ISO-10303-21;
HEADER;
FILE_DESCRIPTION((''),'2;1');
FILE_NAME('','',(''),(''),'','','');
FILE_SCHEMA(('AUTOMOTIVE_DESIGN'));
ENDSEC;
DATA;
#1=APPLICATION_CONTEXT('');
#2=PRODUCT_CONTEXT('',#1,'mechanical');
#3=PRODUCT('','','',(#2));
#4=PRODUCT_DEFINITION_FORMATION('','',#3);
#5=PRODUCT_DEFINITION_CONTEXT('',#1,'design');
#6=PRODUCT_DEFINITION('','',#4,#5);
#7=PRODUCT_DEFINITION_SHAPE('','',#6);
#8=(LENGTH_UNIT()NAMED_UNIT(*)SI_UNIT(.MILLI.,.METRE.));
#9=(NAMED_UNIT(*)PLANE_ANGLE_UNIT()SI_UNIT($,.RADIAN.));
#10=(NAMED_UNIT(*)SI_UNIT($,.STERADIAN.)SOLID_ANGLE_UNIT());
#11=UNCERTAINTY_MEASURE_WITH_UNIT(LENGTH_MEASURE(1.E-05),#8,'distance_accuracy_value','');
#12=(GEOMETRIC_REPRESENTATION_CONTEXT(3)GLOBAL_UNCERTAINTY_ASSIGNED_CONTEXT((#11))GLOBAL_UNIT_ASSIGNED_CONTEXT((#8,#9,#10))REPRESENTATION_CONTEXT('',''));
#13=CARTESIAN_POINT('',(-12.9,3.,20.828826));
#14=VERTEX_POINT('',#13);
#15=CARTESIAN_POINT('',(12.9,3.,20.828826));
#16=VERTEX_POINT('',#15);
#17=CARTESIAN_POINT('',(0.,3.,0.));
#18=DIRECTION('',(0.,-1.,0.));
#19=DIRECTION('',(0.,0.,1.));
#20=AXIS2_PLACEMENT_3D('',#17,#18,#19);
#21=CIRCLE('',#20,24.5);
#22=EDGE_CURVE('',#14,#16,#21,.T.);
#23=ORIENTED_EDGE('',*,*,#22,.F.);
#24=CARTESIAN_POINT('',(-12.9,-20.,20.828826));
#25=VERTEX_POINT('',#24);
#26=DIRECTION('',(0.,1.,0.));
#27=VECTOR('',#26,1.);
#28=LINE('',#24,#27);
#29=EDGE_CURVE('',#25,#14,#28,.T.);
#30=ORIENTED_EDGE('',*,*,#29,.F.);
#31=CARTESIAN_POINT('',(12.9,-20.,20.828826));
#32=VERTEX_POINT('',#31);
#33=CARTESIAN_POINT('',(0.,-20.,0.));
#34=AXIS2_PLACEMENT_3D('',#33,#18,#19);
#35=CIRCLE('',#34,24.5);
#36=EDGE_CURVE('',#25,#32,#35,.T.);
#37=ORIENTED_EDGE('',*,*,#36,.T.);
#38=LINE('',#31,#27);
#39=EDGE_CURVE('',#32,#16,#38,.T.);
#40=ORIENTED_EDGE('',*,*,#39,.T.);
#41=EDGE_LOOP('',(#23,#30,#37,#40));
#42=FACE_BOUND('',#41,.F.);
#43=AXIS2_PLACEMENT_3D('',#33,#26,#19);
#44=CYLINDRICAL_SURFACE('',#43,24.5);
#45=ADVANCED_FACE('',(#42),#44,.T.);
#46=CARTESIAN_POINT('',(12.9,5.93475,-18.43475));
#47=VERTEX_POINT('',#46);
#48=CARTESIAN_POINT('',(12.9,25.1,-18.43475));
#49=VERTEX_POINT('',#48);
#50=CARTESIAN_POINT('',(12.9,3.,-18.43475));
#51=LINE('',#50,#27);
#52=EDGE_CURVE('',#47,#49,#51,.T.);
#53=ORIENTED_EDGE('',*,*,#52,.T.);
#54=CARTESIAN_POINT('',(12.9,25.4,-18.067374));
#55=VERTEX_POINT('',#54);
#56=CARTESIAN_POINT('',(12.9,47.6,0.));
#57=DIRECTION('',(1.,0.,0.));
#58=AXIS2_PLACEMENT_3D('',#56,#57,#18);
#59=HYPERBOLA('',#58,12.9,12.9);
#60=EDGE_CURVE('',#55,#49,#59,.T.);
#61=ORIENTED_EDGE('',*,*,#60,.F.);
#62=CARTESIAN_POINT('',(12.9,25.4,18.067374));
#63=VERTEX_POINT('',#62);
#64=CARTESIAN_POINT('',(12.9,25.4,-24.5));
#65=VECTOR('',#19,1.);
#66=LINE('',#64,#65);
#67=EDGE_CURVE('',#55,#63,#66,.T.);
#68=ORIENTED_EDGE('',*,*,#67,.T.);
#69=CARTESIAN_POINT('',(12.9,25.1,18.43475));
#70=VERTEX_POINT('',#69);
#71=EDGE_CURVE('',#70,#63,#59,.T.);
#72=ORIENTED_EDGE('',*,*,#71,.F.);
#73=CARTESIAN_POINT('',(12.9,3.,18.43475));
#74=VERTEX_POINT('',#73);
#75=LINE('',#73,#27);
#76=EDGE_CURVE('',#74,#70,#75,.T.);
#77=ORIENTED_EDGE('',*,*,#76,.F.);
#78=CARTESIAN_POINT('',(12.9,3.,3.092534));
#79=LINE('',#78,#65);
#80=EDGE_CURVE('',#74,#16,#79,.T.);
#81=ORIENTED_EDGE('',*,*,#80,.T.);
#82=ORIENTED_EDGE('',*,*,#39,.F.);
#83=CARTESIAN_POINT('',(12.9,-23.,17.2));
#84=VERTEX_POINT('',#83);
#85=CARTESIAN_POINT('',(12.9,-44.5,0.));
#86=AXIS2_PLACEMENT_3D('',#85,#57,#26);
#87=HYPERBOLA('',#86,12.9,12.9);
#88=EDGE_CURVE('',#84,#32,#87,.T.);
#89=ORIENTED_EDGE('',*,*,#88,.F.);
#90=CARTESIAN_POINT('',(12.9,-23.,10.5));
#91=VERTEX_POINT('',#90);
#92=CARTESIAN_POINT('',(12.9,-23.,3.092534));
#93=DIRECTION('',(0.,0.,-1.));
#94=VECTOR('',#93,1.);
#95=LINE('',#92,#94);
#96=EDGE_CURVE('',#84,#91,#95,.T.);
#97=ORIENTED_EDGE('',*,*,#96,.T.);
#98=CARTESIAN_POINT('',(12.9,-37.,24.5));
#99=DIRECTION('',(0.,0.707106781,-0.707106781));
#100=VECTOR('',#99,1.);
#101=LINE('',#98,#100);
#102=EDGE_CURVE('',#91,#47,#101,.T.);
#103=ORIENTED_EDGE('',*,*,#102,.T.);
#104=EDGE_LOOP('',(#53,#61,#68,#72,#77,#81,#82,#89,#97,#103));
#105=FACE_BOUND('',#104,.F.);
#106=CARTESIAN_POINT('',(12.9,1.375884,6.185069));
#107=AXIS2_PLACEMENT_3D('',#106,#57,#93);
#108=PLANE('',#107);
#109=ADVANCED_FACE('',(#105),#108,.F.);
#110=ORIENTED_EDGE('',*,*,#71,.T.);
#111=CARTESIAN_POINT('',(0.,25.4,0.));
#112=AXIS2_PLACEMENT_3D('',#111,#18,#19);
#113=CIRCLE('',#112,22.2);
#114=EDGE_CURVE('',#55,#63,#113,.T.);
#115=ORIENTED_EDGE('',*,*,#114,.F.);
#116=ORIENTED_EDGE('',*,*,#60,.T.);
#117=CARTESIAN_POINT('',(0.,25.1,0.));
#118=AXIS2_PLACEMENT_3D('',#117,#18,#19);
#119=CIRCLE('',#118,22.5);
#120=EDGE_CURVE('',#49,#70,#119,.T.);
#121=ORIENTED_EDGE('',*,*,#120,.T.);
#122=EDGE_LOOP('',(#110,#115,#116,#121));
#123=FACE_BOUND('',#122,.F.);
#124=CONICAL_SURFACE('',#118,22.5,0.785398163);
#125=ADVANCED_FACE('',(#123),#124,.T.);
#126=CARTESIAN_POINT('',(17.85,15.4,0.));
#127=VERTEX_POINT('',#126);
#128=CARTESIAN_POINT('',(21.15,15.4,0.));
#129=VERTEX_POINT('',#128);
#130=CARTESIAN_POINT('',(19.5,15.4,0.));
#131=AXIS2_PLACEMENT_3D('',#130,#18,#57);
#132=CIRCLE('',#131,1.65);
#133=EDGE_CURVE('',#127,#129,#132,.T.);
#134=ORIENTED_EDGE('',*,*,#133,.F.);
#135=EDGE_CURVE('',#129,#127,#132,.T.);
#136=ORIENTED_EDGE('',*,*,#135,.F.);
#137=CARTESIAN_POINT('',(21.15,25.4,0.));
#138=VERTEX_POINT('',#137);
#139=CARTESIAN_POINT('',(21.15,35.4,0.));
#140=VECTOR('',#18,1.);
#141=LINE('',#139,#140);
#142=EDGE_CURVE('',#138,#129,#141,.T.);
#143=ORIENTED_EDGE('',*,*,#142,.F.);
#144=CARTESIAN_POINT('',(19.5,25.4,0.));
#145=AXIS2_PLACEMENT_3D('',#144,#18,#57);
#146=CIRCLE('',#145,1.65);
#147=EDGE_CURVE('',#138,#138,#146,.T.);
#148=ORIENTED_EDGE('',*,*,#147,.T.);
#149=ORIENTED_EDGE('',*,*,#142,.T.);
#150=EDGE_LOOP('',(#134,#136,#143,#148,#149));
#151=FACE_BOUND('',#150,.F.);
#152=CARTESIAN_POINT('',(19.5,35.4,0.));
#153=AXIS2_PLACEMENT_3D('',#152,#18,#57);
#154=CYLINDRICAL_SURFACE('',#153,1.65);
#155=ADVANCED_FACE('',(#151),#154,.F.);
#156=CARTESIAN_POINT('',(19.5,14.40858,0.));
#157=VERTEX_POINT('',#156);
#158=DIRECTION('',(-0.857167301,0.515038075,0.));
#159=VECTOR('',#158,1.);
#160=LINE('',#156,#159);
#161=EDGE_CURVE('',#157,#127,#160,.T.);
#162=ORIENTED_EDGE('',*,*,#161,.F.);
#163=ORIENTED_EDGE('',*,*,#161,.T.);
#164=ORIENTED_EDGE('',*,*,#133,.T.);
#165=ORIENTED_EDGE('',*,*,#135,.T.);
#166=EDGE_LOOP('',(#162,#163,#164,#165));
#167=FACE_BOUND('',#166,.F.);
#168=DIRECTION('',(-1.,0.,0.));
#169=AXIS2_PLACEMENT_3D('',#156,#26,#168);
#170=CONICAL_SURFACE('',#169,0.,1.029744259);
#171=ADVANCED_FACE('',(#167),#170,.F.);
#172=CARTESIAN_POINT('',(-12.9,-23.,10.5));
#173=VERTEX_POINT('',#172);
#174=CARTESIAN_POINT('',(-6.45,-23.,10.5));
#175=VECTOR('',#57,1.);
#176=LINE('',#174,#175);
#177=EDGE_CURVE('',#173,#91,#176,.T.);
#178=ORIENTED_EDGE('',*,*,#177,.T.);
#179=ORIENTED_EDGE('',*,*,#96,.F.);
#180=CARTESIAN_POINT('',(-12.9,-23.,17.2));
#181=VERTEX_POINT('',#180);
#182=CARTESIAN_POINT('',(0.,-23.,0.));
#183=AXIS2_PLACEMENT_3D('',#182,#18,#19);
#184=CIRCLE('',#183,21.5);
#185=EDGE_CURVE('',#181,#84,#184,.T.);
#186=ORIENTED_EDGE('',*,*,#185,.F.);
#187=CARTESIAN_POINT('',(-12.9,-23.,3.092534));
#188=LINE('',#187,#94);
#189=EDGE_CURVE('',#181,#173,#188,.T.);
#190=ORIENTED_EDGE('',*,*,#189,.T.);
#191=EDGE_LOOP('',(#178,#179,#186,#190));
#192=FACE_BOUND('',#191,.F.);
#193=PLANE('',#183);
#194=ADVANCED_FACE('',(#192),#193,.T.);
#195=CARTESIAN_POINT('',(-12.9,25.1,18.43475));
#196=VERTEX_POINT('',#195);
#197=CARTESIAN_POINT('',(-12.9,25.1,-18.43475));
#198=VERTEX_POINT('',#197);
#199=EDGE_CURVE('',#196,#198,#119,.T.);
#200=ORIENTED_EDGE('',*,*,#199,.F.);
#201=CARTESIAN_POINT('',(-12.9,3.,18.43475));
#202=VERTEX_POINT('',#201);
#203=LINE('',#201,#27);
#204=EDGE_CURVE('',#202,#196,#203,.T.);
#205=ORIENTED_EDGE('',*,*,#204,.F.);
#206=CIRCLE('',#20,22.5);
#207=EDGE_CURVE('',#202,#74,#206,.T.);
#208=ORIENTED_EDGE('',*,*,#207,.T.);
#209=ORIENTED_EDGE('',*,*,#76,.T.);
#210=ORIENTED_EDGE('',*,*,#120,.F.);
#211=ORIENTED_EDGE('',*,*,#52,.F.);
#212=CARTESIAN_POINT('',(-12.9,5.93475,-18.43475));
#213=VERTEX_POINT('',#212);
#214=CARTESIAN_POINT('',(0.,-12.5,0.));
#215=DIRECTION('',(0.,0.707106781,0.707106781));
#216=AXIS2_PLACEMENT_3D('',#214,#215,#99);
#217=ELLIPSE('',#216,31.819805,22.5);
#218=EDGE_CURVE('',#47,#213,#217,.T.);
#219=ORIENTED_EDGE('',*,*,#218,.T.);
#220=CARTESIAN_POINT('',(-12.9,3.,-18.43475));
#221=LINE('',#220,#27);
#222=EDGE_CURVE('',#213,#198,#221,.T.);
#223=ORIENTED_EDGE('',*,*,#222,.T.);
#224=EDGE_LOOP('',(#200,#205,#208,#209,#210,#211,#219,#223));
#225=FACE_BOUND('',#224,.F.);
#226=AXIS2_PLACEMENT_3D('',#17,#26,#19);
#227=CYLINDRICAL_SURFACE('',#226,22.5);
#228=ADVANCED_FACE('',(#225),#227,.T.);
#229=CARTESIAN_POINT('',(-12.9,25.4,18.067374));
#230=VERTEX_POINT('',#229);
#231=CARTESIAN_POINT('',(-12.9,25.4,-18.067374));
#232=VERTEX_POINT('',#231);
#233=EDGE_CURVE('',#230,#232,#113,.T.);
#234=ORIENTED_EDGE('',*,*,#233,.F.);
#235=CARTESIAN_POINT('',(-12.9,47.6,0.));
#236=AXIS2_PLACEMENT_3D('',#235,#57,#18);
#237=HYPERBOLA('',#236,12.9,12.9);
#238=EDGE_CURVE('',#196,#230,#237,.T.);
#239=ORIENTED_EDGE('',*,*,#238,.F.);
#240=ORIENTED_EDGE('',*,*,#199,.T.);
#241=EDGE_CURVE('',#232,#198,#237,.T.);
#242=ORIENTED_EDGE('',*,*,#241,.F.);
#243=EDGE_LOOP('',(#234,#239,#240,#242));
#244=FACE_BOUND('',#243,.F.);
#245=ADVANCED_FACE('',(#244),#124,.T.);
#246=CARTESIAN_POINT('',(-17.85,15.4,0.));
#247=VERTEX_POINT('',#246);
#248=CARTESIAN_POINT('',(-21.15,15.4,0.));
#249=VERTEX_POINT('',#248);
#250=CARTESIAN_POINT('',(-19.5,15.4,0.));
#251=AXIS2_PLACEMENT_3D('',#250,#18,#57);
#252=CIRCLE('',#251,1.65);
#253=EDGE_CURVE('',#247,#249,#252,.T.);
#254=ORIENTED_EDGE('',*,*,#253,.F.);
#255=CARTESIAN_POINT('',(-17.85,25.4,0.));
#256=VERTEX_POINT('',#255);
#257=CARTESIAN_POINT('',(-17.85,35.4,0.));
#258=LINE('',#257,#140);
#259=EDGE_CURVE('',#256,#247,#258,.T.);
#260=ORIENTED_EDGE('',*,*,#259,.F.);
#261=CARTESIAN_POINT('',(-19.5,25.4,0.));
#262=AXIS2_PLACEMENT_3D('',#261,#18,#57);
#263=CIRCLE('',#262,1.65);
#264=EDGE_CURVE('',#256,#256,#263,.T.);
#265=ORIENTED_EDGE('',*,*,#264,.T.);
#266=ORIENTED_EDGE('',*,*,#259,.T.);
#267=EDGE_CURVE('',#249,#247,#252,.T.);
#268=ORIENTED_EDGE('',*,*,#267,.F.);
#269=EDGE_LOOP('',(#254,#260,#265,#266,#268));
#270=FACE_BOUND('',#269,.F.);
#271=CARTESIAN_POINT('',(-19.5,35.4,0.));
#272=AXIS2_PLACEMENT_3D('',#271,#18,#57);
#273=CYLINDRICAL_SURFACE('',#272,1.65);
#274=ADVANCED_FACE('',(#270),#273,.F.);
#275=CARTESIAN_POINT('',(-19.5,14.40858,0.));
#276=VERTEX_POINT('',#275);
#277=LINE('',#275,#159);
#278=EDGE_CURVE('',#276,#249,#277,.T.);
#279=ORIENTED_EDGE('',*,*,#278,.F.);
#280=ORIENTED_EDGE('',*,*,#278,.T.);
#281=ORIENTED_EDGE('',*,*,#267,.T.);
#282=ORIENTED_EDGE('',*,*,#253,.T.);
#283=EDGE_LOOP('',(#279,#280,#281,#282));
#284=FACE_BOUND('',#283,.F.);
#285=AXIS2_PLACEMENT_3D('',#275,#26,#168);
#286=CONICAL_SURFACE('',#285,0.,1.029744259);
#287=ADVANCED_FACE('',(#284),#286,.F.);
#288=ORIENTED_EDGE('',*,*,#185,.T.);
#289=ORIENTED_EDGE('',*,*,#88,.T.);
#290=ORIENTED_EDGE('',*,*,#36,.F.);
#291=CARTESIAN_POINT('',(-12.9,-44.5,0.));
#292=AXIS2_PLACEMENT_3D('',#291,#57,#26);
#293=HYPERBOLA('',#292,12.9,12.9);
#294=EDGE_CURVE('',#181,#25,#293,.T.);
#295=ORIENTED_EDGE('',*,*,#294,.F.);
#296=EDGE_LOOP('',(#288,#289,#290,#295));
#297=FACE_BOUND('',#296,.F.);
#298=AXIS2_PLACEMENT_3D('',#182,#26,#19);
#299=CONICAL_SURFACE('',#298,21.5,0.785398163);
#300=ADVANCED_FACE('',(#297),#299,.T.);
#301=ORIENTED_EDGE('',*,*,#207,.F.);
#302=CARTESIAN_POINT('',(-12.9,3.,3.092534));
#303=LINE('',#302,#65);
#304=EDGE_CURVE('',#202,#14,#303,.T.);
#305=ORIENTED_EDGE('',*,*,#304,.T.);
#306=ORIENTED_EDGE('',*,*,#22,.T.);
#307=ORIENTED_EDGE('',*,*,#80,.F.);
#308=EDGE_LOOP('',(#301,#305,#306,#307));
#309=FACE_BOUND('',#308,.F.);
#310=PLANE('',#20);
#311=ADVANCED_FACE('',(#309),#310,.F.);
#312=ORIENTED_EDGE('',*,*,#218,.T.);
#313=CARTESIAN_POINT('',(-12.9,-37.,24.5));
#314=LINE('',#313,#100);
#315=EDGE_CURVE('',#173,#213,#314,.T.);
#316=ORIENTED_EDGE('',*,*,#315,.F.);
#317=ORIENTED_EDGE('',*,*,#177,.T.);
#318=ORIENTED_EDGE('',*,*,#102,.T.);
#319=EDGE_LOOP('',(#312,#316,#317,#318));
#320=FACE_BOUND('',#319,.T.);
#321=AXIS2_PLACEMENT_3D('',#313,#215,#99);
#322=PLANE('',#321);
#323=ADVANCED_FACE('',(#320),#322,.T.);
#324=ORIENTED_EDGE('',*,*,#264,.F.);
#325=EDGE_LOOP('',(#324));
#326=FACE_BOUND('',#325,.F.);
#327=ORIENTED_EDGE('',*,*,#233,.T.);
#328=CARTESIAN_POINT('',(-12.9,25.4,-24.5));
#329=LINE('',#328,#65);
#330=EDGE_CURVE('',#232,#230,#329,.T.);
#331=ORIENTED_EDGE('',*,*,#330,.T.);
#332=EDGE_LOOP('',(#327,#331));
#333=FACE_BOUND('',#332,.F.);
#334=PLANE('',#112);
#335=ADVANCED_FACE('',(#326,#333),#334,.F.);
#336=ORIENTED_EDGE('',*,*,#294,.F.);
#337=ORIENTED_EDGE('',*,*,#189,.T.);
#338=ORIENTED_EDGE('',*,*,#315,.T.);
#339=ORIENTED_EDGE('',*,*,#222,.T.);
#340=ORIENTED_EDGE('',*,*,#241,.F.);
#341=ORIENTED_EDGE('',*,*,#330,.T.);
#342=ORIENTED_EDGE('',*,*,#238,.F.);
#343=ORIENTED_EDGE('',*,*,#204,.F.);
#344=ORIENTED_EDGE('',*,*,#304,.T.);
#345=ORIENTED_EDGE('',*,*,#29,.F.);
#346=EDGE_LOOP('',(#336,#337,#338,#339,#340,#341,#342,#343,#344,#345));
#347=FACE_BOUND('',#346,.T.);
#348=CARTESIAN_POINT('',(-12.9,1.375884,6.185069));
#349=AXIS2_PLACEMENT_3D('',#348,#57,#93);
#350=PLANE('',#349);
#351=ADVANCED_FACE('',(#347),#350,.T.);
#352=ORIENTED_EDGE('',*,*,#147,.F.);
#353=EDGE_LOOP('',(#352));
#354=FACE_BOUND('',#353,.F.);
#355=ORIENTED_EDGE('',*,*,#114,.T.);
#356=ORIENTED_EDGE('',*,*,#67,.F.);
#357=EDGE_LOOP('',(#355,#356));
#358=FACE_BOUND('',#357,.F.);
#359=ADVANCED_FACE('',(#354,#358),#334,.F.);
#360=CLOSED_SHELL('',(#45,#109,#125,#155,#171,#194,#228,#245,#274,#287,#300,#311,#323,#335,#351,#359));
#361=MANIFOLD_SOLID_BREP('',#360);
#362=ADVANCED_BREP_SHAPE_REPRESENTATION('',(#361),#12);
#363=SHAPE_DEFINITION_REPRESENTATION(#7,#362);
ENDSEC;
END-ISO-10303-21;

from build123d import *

# Parameters (mm, degrees)
ENL_V_MAT_EXTRU_1_DEPTH      = 12.9
ENL_V_MAT_EXTRU_1_DEPTH_BACK = 12.9
TROU_TARAUD_M4X0_71_D        = 3.3
TROU_TARAUD_M4X0_71_DEPTH    = 10
TROU_TARAUD_M4X0_71_TIP      = 0.991420021


with BuildPart() as part:
    # Esquisse1 → Révolution1 (revolve)
    with BuildSketch(Plane.XY):
        Polygon((0, -23), (21.5, -23), (24.5, -20), (24.5, 3), (22.5, 3), (22.5, 25.1), (22.2, 25.4), (0, 25.4), align=None)
    revolve(axis=Axis((0, 89.934503311, 0), (0, -1, 0)))

    # Esquisse2 → Enlèv. mat.-Extru.1 (cut, two sides: drawn at the far end of the back side and taken through both)
    with BuildSketch(Plane(origin=(0, 0, 0), x_dir=(0, 0, -1), z_dir=(1, 0, 0)).offset(-ENL_V_MAT_EXTRU_1_DEPTH_BACK)):
        Polygon((-24.5, -37), (24.5, 12), (24.5, 25.4), (-24.5, 25.4), align=None)
    extrude(amount=ENL_V_MAT_EXTRU_1_DEPTH + ENL_V_MAT_EXTRU_1_DEPTH_BACK, mode=Mode.SUBTRACT)

    # Trou taraudé M4x0.71
    with Locations(Plane(origin=(0, 25.4, 0), x_dir=(-1, 0, 0), z_dir=(0, 1, 0))):
        with Locations((-19.5, 0), (19.5, 0)):
            Hole(TROU_TARAUD_M4X0_71_D / 2, depth=TROU_TARAUD_M4X0_71_DEPTH)
            with Locations((0, 0, -(TROU_TARAUD_M4X0_71_DEPTH + TROU_TARAUD_M4X0_71_TIP / 2))):  # 118° drill point
                Cone(0, TROU_TARAUD_M4X0_71_D / 2, TROU_TARAUD_M4X0_71_TIP, mode=Mode.SUBTRACT)


solid = part.part
